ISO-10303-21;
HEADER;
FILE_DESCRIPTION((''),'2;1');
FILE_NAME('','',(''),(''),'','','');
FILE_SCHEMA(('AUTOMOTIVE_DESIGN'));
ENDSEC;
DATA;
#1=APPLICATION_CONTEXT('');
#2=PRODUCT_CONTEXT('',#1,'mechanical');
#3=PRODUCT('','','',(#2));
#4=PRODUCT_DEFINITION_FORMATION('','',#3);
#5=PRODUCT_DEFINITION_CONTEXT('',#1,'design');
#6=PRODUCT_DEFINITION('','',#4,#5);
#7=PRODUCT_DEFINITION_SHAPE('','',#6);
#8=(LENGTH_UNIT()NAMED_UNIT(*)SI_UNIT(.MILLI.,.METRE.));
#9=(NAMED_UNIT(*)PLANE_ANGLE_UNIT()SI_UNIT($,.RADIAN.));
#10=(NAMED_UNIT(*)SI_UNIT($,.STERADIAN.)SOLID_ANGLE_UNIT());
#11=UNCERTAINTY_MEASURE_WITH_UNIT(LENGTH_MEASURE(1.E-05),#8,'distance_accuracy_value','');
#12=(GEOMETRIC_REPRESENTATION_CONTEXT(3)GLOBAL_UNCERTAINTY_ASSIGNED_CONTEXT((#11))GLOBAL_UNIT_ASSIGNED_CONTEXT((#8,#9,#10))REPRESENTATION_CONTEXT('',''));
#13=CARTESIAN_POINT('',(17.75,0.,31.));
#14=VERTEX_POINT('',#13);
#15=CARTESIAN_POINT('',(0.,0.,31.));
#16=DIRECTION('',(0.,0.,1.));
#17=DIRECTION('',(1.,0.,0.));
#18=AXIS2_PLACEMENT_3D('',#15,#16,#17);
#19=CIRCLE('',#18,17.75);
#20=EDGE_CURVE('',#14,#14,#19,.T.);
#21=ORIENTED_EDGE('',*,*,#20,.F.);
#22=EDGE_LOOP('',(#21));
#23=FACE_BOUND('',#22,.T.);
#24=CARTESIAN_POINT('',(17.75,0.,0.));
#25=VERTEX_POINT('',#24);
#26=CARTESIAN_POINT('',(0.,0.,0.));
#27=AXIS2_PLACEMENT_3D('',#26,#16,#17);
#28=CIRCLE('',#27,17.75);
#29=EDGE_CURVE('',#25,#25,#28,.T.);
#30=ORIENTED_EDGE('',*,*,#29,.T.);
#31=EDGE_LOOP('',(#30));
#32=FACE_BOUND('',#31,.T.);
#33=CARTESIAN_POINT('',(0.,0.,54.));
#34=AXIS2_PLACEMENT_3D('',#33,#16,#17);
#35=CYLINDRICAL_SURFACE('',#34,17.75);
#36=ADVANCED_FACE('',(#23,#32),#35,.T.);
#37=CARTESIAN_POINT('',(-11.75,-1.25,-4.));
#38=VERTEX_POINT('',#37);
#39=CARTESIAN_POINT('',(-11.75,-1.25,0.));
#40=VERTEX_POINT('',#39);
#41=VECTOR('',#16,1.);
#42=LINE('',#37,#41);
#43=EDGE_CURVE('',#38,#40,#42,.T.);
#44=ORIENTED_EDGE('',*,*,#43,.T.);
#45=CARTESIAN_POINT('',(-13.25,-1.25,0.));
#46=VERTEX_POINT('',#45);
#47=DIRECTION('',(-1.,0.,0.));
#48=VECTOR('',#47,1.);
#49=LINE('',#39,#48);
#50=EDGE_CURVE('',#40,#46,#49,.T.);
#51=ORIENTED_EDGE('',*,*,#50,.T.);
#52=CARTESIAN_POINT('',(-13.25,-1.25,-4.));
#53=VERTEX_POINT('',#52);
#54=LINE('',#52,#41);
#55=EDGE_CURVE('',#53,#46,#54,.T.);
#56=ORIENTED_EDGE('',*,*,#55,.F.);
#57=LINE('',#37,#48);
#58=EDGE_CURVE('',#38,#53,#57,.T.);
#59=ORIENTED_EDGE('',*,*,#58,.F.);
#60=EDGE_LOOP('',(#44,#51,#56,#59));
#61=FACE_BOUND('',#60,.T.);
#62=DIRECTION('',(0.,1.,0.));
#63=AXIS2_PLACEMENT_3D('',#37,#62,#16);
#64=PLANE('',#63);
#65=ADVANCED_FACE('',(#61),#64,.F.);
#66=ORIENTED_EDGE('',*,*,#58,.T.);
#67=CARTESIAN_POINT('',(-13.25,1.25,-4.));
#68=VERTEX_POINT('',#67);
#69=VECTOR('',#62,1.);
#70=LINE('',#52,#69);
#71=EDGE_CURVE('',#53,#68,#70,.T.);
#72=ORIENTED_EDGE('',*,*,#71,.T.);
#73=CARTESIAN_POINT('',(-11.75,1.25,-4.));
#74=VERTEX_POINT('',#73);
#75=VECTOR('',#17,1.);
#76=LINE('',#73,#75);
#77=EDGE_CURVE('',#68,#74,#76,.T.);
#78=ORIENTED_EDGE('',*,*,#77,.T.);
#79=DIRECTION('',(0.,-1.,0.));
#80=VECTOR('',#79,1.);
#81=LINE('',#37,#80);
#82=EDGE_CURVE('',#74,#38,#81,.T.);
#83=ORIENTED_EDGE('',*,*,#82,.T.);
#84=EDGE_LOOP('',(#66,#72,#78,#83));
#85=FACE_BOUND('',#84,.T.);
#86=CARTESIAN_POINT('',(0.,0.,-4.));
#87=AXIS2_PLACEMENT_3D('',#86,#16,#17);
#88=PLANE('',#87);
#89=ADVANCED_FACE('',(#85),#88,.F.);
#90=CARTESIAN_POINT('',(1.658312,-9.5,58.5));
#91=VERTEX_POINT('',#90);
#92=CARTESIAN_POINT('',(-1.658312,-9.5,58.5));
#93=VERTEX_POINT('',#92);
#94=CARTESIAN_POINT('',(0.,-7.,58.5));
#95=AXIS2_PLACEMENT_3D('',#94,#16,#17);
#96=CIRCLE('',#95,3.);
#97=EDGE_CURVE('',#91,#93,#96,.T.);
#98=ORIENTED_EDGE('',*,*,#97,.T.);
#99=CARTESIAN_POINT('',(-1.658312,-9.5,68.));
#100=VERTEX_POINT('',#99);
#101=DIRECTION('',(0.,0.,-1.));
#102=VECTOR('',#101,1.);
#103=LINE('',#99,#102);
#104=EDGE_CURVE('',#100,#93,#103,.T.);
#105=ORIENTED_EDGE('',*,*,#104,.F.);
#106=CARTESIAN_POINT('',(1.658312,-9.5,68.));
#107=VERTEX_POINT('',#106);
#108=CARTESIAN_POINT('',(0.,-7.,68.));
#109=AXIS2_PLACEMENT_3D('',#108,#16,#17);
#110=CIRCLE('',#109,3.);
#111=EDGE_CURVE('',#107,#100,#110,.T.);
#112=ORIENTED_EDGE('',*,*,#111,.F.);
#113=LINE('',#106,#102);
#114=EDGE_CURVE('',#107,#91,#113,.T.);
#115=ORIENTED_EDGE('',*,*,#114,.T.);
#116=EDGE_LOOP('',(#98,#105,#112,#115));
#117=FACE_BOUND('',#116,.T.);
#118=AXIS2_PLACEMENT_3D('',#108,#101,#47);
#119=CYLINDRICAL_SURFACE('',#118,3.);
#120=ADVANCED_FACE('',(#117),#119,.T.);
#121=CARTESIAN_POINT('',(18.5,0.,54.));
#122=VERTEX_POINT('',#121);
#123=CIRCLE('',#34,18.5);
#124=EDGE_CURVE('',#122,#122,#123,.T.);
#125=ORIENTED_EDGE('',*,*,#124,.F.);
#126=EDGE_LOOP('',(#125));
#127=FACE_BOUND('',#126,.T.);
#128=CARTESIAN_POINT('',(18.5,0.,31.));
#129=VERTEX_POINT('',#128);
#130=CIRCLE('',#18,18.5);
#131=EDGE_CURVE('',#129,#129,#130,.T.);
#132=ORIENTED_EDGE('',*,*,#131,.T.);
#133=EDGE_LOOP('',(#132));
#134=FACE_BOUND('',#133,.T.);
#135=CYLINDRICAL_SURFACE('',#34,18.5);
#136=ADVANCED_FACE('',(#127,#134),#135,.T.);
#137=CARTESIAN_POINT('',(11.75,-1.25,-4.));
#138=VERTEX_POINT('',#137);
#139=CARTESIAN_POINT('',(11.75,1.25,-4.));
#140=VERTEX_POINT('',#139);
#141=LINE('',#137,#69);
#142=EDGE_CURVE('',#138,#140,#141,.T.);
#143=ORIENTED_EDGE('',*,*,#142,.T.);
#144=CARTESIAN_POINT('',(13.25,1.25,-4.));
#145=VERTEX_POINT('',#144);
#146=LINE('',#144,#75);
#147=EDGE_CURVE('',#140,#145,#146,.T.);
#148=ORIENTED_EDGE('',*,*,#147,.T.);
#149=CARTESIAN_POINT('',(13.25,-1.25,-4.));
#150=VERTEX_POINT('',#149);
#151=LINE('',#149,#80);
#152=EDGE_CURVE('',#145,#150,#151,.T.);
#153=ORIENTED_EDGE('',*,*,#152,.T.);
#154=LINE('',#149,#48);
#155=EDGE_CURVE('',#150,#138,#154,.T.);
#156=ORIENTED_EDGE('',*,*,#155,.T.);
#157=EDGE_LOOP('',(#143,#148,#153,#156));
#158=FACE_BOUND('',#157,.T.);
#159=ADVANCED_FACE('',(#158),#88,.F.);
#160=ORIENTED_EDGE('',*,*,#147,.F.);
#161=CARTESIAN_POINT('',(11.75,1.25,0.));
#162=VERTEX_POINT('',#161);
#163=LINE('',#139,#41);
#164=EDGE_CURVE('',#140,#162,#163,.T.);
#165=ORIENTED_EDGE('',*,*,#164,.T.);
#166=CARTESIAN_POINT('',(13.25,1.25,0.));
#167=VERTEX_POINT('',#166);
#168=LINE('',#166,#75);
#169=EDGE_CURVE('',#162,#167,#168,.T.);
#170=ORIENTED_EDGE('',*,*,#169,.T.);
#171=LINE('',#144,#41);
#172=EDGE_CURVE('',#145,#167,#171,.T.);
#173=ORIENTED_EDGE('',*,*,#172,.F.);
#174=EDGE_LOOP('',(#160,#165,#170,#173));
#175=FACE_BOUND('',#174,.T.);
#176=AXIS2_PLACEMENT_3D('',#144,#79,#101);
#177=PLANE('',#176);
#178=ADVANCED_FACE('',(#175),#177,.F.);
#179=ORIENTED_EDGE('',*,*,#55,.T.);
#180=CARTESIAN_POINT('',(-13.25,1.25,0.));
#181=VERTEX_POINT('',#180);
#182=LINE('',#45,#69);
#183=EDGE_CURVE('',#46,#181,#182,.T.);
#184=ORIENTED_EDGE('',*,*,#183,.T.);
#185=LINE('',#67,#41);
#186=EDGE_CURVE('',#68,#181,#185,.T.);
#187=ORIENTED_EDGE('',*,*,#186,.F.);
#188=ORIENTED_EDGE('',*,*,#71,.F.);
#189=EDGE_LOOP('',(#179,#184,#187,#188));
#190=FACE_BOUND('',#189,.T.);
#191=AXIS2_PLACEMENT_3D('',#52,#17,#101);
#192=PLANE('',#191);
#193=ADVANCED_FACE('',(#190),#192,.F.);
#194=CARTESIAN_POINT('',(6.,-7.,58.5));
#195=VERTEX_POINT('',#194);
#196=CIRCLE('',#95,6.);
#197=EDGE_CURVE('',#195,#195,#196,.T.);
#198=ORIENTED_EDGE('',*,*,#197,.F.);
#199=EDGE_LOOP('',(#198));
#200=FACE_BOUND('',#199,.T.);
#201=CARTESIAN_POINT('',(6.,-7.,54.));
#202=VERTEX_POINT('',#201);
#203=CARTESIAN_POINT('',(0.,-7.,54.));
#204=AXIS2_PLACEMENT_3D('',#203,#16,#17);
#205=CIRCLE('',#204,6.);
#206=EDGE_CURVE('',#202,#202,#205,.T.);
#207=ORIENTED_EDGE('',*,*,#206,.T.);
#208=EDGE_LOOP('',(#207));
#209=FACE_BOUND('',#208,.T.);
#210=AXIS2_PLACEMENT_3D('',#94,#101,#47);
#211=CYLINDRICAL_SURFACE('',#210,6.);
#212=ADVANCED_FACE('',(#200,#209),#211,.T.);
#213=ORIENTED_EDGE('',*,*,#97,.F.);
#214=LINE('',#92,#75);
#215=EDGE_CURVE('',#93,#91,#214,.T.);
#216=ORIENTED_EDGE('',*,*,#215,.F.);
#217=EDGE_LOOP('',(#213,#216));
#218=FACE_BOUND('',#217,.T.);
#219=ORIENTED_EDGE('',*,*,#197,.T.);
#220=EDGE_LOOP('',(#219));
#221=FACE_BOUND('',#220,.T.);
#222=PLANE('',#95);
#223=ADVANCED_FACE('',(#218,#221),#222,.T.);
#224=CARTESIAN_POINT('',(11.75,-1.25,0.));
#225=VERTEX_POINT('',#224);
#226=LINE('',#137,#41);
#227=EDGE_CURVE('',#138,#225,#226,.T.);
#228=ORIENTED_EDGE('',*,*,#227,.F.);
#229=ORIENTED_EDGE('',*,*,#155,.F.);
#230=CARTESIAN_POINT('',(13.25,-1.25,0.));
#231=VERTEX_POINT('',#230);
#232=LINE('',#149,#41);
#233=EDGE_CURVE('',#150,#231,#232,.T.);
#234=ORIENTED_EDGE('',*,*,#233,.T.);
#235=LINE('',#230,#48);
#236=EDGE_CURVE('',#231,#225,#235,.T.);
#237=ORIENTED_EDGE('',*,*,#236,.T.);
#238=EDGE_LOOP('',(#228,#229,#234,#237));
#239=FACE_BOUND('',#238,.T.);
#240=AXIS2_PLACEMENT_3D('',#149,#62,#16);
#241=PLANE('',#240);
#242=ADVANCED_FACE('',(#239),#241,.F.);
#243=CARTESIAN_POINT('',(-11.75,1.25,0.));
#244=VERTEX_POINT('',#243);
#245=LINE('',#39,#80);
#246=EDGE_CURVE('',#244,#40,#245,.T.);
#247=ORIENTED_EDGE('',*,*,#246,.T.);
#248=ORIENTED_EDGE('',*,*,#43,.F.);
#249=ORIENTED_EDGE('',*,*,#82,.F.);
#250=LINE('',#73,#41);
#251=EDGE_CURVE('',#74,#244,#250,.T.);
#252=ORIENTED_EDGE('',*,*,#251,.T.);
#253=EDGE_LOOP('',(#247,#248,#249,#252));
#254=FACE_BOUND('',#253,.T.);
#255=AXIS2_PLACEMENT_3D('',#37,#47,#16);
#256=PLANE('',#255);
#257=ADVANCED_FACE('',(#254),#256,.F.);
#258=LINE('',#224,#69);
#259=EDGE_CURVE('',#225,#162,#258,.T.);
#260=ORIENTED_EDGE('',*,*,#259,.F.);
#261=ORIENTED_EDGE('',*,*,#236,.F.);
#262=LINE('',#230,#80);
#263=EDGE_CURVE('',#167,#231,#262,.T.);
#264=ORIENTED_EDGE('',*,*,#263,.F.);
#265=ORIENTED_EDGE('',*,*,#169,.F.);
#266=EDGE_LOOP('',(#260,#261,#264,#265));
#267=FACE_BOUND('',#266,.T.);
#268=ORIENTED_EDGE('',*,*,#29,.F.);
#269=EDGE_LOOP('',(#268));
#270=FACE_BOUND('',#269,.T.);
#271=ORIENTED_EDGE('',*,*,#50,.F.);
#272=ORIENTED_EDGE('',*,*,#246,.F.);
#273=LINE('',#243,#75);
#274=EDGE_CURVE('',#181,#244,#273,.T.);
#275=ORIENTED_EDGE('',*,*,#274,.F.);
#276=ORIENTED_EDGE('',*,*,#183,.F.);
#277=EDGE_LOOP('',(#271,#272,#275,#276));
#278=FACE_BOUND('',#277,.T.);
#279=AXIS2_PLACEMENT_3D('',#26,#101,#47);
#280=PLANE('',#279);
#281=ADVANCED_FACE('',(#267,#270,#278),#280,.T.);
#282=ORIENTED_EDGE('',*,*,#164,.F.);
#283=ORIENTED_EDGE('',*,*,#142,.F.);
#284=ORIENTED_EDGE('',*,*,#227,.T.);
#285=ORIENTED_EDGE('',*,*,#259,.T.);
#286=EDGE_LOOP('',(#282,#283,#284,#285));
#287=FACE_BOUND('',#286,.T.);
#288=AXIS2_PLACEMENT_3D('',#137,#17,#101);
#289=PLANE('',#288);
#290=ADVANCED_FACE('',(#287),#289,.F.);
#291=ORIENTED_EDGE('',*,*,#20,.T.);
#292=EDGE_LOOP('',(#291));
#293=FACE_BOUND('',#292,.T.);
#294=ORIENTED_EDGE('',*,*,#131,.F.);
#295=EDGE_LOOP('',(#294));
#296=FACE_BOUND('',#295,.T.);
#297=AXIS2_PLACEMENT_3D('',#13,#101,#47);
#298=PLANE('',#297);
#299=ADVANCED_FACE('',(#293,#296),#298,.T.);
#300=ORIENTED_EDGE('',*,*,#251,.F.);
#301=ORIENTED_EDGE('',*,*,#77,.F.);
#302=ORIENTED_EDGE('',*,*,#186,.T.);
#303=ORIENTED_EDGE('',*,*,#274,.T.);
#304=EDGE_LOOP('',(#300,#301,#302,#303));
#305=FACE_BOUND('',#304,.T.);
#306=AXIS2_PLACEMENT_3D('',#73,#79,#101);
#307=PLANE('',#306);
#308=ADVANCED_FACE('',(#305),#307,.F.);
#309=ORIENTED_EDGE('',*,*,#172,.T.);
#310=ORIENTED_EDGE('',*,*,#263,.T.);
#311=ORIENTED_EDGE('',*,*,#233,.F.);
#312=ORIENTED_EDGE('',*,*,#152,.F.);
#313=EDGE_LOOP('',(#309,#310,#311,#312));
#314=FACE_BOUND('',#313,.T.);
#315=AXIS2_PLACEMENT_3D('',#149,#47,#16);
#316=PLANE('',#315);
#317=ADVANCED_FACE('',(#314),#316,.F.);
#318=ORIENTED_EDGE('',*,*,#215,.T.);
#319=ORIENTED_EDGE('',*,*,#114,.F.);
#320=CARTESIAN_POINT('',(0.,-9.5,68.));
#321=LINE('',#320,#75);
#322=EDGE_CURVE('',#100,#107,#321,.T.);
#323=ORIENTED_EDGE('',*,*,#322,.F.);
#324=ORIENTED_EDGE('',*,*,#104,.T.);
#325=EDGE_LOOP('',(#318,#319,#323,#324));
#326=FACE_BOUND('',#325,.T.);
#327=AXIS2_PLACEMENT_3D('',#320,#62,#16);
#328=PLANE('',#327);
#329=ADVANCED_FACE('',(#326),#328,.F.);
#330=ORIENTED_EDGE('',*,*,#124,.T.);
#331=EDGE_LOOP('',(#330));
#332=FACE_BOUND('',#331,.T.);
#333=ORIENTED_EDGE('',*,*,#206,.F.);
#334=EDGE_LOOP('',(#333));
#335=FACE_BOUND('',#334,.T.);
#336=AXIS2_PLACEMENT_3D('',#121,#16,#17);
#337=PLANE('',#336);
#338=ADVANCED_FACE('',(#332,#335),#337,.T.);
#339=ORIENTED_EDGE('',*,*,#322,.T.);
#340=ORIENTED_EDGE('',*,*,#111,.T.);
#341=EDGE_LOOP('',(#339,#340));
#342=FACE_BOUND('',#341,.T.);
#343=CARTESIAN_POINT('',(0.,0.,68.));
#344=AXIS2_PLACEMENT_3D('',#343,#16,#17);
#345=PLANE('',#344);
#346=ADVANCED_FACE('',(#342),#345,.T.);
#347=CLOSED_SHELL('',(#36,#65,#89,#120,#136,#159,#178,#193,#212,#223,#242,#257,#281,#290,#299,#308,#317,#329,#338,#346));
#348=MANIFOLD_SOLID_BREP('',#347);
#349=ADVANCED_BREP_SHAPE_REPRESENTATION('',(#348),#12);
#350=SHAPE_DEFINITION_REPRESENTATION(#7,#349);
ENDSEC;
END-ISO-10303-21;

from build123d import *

# Parameters (mm, degrees)
SKETCH3_W           = 1.5
SKETCH3_H           = 2.5
BOSS_EXTRUDE1_DEPTH = 4
SKETCH4_R           = 6
BOSS_EXTRUDE2_DEPTH = 4.5
BOSS_EXTRUDE3_DEPTH = 14


with BuildPart() as part:
    # Sketch2 → Revolve1 (revolve)
    with BuildSketch(Plane(origin=(0, 0, 0), x_dir=(1, 0, 0), z_dir=(0, 1, 0))):
        Polygon((0, -54), (0, 0), (17.75, 0), (17.75, -31), (18.5, -31), (18.5, -54), align=None)
    revolve(axis=Axis((0, 0, 54), (0, 0, -1)))

    # Sketch3 → Boss-Extrude1 (add)
    with BuildSketch(Plane(origin=(0, 0, 0), x_dir=(-1, 0, 0), z_dir=(0, 0, -1))):
        with Locations((-12.5, 0)):
            Rectangle(SKETCH3_W, SKETCH3_H)
        with Locations((12.5, 0)):
            Rectangle(SKETCH3_W, SKETCH3_H)
    extrude(amount=BOSS_EXTRUDE1_DEPTH)

    # Sketch4 → Boss-Extrude2 (add)
    with BuildSketch(Plane.XY.offset(54)):
        with Locations((0, -7)):
            Circle(SKETCH4_R)
        with BuildLine():
            Line((-1.658312395, -9.5), (1.658312395, -9.5))
            ThreePointArc((1.658312395, -9.5), (0, -4), (-1.658312395, -9.5))
        make_face(mode=Mode.SUBTRACT)
    extrude(amount=BOSS_EXTRUDE2_DEPTH)

    # Sketch4<2> → Boss-Extrude3 (add)
    with BuildSketch(Plane.XY.offset(54)):
        with BuildLine():
            Line((-1.658312395, -9.5), (1.658312395, -9.5))
            ThreePointArc((1.658312395, -9.5), (0, -4), (-1.658312395, -9.5))
        make_face()
    extrude(amount=BOSS_EXTRUDE3_DEPTH)


solid = part.part
